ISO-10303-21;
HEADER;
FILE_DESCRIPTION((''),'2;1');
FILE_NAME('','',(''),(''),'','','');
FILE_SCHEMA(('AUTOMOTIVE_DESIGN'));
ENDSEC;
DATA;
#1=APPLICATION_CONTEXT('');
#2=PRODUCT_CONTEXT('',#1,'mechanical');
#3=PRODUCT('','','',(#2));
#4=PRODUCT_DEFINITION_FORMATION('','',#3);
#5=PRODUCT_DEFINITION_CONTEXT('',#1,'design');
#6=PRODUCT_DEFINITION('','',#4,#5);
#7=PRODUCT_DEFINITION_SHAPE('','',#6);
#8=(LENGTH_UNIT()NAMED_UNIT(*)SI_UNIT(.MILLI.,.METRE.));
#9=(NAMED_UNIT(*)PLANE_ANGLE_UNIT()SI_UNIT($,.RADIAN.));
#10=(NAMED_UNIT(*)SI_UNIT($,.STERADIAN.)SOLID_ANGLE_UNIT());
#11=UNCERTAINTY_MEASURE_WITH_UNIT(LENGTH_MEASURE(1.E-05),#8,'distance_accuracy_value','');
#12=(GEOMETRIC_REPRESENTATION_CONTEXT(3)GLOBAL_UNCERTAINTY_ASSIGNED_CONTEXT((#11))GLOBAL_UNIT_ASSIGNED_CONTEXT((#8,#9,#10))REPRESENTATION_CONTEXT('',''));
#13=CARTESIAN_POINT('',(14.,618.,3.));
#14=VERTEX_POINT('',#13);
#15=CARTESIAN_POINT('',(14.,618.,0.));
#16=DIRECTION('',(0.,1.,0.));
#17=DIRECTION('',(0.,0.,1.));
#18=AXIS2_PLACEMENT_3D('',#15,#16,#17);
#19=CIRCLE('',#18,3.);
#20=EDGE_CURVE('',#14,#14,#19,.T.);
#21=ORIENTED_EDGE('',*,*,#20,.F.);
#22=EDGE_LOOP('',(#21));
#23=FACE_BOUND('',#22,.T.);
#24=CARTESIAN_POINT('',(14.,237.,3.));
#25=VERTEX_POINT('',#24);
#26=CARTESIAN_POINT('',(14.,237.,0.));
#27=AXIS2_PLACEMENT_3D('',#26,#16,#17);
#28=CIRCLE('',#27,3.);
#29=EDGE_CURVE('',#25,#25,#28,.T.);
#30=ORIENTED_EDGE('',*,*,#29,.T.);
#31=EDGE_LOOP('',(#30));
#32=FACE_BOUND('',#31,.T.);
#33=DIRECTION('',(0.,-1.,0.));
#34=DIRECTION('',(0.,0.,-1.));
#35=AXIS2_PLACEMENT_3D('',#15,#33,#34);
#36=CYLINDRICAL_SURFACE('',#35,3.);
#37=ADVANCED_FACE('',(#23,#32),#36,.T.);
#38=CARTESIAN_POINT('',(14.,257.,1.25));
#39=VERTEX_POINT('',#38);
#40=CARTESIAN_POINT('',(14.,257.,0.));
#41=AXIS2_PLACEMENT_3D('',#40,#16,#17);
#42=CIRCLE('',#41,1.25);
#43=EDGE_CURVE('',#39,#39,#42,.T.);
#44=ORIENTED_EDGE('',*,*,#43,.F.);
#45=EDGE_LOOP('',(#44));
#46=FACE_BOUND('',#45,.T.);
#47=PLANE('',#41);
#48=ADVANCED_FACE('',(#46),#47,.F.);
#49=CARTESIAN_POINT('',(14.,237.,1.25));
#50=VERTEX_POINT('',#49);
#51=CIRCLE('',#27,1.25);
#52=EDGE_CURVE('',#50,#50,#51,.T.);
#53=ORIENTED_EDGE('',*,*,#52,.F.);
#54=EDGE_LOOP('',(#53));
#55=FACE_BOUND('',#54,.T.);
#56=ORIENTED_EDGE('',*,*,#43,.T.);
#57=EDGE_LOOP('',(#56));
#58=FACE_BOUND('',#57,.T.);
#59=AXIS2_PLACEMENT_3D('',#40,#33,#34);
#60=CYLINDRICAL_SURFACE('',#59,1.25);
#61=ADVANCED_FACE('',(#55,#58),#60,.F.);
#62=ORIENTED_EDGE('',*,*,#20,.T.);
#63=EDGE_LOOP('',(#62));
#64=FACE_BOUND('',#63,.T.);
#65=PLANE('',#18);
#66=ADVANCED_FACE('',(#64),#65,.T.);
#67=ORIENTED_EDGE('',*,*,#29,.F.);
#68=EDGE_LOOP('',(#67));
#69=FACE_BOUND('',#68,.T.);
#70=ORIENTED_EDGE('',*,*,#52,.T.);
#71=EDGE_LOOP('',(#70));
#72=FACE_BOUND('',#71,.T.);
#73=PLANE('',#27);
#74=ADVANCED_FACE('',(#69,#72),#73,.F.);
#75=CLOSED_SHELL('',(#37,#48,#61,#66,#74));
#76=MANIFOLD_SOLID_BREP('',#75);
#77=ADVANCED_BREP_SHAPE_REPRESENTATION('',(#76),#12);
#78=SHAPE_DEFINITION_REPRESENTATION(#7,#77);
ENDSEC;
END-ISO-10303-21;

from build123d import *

# Parameters (mm, degrees)
AUFSATZ_LINEAR_START            = 237
SKIZZE3_R                       = 3
AUFSATZ_LINEAR_AUSTRAGEN1_DEPTH = 381
SCHNITT_LINEAR_START            = 237
SKIZZE4_R                       = 1.25
SCHNITT_LINEAR_AUSTRAGEN1_DEPTH = 20


with BuildPart() as part:
    # Skizze3 → Aufsatz-Linear austragen1 (new body)
    with BuildSketch(Plane(origin=(0, 0, 0), x_dir=(1, 0, 0), z_dir=(0, 1, 0)).offset(AUFSATZ_LINEAR_START)):
        with Locations((14, 0)):
            Circle(SKIZZE3_R)
    extrude(amount=AUFSATZ_LINEAR_AUSTRAGEN1_DEPTH)

    # Skizze4 → Schnitt-Linear austragen1 (cut)
    with BuildSketch(Plane(origin=(0, 0, 0), x_dir=(1, 0, 0), z_dir=(0, 1, 0)).offset(SCHNITT_LINEAR_START)):
        with Locations((14, 0)):
            Circle(SKIZZE4_R)
    extrude(amount=SCHNITT_LINEAR_AUSTRAGEN1_DEPTH, mode=Mode.SUBTRACT)


solid = part.part
